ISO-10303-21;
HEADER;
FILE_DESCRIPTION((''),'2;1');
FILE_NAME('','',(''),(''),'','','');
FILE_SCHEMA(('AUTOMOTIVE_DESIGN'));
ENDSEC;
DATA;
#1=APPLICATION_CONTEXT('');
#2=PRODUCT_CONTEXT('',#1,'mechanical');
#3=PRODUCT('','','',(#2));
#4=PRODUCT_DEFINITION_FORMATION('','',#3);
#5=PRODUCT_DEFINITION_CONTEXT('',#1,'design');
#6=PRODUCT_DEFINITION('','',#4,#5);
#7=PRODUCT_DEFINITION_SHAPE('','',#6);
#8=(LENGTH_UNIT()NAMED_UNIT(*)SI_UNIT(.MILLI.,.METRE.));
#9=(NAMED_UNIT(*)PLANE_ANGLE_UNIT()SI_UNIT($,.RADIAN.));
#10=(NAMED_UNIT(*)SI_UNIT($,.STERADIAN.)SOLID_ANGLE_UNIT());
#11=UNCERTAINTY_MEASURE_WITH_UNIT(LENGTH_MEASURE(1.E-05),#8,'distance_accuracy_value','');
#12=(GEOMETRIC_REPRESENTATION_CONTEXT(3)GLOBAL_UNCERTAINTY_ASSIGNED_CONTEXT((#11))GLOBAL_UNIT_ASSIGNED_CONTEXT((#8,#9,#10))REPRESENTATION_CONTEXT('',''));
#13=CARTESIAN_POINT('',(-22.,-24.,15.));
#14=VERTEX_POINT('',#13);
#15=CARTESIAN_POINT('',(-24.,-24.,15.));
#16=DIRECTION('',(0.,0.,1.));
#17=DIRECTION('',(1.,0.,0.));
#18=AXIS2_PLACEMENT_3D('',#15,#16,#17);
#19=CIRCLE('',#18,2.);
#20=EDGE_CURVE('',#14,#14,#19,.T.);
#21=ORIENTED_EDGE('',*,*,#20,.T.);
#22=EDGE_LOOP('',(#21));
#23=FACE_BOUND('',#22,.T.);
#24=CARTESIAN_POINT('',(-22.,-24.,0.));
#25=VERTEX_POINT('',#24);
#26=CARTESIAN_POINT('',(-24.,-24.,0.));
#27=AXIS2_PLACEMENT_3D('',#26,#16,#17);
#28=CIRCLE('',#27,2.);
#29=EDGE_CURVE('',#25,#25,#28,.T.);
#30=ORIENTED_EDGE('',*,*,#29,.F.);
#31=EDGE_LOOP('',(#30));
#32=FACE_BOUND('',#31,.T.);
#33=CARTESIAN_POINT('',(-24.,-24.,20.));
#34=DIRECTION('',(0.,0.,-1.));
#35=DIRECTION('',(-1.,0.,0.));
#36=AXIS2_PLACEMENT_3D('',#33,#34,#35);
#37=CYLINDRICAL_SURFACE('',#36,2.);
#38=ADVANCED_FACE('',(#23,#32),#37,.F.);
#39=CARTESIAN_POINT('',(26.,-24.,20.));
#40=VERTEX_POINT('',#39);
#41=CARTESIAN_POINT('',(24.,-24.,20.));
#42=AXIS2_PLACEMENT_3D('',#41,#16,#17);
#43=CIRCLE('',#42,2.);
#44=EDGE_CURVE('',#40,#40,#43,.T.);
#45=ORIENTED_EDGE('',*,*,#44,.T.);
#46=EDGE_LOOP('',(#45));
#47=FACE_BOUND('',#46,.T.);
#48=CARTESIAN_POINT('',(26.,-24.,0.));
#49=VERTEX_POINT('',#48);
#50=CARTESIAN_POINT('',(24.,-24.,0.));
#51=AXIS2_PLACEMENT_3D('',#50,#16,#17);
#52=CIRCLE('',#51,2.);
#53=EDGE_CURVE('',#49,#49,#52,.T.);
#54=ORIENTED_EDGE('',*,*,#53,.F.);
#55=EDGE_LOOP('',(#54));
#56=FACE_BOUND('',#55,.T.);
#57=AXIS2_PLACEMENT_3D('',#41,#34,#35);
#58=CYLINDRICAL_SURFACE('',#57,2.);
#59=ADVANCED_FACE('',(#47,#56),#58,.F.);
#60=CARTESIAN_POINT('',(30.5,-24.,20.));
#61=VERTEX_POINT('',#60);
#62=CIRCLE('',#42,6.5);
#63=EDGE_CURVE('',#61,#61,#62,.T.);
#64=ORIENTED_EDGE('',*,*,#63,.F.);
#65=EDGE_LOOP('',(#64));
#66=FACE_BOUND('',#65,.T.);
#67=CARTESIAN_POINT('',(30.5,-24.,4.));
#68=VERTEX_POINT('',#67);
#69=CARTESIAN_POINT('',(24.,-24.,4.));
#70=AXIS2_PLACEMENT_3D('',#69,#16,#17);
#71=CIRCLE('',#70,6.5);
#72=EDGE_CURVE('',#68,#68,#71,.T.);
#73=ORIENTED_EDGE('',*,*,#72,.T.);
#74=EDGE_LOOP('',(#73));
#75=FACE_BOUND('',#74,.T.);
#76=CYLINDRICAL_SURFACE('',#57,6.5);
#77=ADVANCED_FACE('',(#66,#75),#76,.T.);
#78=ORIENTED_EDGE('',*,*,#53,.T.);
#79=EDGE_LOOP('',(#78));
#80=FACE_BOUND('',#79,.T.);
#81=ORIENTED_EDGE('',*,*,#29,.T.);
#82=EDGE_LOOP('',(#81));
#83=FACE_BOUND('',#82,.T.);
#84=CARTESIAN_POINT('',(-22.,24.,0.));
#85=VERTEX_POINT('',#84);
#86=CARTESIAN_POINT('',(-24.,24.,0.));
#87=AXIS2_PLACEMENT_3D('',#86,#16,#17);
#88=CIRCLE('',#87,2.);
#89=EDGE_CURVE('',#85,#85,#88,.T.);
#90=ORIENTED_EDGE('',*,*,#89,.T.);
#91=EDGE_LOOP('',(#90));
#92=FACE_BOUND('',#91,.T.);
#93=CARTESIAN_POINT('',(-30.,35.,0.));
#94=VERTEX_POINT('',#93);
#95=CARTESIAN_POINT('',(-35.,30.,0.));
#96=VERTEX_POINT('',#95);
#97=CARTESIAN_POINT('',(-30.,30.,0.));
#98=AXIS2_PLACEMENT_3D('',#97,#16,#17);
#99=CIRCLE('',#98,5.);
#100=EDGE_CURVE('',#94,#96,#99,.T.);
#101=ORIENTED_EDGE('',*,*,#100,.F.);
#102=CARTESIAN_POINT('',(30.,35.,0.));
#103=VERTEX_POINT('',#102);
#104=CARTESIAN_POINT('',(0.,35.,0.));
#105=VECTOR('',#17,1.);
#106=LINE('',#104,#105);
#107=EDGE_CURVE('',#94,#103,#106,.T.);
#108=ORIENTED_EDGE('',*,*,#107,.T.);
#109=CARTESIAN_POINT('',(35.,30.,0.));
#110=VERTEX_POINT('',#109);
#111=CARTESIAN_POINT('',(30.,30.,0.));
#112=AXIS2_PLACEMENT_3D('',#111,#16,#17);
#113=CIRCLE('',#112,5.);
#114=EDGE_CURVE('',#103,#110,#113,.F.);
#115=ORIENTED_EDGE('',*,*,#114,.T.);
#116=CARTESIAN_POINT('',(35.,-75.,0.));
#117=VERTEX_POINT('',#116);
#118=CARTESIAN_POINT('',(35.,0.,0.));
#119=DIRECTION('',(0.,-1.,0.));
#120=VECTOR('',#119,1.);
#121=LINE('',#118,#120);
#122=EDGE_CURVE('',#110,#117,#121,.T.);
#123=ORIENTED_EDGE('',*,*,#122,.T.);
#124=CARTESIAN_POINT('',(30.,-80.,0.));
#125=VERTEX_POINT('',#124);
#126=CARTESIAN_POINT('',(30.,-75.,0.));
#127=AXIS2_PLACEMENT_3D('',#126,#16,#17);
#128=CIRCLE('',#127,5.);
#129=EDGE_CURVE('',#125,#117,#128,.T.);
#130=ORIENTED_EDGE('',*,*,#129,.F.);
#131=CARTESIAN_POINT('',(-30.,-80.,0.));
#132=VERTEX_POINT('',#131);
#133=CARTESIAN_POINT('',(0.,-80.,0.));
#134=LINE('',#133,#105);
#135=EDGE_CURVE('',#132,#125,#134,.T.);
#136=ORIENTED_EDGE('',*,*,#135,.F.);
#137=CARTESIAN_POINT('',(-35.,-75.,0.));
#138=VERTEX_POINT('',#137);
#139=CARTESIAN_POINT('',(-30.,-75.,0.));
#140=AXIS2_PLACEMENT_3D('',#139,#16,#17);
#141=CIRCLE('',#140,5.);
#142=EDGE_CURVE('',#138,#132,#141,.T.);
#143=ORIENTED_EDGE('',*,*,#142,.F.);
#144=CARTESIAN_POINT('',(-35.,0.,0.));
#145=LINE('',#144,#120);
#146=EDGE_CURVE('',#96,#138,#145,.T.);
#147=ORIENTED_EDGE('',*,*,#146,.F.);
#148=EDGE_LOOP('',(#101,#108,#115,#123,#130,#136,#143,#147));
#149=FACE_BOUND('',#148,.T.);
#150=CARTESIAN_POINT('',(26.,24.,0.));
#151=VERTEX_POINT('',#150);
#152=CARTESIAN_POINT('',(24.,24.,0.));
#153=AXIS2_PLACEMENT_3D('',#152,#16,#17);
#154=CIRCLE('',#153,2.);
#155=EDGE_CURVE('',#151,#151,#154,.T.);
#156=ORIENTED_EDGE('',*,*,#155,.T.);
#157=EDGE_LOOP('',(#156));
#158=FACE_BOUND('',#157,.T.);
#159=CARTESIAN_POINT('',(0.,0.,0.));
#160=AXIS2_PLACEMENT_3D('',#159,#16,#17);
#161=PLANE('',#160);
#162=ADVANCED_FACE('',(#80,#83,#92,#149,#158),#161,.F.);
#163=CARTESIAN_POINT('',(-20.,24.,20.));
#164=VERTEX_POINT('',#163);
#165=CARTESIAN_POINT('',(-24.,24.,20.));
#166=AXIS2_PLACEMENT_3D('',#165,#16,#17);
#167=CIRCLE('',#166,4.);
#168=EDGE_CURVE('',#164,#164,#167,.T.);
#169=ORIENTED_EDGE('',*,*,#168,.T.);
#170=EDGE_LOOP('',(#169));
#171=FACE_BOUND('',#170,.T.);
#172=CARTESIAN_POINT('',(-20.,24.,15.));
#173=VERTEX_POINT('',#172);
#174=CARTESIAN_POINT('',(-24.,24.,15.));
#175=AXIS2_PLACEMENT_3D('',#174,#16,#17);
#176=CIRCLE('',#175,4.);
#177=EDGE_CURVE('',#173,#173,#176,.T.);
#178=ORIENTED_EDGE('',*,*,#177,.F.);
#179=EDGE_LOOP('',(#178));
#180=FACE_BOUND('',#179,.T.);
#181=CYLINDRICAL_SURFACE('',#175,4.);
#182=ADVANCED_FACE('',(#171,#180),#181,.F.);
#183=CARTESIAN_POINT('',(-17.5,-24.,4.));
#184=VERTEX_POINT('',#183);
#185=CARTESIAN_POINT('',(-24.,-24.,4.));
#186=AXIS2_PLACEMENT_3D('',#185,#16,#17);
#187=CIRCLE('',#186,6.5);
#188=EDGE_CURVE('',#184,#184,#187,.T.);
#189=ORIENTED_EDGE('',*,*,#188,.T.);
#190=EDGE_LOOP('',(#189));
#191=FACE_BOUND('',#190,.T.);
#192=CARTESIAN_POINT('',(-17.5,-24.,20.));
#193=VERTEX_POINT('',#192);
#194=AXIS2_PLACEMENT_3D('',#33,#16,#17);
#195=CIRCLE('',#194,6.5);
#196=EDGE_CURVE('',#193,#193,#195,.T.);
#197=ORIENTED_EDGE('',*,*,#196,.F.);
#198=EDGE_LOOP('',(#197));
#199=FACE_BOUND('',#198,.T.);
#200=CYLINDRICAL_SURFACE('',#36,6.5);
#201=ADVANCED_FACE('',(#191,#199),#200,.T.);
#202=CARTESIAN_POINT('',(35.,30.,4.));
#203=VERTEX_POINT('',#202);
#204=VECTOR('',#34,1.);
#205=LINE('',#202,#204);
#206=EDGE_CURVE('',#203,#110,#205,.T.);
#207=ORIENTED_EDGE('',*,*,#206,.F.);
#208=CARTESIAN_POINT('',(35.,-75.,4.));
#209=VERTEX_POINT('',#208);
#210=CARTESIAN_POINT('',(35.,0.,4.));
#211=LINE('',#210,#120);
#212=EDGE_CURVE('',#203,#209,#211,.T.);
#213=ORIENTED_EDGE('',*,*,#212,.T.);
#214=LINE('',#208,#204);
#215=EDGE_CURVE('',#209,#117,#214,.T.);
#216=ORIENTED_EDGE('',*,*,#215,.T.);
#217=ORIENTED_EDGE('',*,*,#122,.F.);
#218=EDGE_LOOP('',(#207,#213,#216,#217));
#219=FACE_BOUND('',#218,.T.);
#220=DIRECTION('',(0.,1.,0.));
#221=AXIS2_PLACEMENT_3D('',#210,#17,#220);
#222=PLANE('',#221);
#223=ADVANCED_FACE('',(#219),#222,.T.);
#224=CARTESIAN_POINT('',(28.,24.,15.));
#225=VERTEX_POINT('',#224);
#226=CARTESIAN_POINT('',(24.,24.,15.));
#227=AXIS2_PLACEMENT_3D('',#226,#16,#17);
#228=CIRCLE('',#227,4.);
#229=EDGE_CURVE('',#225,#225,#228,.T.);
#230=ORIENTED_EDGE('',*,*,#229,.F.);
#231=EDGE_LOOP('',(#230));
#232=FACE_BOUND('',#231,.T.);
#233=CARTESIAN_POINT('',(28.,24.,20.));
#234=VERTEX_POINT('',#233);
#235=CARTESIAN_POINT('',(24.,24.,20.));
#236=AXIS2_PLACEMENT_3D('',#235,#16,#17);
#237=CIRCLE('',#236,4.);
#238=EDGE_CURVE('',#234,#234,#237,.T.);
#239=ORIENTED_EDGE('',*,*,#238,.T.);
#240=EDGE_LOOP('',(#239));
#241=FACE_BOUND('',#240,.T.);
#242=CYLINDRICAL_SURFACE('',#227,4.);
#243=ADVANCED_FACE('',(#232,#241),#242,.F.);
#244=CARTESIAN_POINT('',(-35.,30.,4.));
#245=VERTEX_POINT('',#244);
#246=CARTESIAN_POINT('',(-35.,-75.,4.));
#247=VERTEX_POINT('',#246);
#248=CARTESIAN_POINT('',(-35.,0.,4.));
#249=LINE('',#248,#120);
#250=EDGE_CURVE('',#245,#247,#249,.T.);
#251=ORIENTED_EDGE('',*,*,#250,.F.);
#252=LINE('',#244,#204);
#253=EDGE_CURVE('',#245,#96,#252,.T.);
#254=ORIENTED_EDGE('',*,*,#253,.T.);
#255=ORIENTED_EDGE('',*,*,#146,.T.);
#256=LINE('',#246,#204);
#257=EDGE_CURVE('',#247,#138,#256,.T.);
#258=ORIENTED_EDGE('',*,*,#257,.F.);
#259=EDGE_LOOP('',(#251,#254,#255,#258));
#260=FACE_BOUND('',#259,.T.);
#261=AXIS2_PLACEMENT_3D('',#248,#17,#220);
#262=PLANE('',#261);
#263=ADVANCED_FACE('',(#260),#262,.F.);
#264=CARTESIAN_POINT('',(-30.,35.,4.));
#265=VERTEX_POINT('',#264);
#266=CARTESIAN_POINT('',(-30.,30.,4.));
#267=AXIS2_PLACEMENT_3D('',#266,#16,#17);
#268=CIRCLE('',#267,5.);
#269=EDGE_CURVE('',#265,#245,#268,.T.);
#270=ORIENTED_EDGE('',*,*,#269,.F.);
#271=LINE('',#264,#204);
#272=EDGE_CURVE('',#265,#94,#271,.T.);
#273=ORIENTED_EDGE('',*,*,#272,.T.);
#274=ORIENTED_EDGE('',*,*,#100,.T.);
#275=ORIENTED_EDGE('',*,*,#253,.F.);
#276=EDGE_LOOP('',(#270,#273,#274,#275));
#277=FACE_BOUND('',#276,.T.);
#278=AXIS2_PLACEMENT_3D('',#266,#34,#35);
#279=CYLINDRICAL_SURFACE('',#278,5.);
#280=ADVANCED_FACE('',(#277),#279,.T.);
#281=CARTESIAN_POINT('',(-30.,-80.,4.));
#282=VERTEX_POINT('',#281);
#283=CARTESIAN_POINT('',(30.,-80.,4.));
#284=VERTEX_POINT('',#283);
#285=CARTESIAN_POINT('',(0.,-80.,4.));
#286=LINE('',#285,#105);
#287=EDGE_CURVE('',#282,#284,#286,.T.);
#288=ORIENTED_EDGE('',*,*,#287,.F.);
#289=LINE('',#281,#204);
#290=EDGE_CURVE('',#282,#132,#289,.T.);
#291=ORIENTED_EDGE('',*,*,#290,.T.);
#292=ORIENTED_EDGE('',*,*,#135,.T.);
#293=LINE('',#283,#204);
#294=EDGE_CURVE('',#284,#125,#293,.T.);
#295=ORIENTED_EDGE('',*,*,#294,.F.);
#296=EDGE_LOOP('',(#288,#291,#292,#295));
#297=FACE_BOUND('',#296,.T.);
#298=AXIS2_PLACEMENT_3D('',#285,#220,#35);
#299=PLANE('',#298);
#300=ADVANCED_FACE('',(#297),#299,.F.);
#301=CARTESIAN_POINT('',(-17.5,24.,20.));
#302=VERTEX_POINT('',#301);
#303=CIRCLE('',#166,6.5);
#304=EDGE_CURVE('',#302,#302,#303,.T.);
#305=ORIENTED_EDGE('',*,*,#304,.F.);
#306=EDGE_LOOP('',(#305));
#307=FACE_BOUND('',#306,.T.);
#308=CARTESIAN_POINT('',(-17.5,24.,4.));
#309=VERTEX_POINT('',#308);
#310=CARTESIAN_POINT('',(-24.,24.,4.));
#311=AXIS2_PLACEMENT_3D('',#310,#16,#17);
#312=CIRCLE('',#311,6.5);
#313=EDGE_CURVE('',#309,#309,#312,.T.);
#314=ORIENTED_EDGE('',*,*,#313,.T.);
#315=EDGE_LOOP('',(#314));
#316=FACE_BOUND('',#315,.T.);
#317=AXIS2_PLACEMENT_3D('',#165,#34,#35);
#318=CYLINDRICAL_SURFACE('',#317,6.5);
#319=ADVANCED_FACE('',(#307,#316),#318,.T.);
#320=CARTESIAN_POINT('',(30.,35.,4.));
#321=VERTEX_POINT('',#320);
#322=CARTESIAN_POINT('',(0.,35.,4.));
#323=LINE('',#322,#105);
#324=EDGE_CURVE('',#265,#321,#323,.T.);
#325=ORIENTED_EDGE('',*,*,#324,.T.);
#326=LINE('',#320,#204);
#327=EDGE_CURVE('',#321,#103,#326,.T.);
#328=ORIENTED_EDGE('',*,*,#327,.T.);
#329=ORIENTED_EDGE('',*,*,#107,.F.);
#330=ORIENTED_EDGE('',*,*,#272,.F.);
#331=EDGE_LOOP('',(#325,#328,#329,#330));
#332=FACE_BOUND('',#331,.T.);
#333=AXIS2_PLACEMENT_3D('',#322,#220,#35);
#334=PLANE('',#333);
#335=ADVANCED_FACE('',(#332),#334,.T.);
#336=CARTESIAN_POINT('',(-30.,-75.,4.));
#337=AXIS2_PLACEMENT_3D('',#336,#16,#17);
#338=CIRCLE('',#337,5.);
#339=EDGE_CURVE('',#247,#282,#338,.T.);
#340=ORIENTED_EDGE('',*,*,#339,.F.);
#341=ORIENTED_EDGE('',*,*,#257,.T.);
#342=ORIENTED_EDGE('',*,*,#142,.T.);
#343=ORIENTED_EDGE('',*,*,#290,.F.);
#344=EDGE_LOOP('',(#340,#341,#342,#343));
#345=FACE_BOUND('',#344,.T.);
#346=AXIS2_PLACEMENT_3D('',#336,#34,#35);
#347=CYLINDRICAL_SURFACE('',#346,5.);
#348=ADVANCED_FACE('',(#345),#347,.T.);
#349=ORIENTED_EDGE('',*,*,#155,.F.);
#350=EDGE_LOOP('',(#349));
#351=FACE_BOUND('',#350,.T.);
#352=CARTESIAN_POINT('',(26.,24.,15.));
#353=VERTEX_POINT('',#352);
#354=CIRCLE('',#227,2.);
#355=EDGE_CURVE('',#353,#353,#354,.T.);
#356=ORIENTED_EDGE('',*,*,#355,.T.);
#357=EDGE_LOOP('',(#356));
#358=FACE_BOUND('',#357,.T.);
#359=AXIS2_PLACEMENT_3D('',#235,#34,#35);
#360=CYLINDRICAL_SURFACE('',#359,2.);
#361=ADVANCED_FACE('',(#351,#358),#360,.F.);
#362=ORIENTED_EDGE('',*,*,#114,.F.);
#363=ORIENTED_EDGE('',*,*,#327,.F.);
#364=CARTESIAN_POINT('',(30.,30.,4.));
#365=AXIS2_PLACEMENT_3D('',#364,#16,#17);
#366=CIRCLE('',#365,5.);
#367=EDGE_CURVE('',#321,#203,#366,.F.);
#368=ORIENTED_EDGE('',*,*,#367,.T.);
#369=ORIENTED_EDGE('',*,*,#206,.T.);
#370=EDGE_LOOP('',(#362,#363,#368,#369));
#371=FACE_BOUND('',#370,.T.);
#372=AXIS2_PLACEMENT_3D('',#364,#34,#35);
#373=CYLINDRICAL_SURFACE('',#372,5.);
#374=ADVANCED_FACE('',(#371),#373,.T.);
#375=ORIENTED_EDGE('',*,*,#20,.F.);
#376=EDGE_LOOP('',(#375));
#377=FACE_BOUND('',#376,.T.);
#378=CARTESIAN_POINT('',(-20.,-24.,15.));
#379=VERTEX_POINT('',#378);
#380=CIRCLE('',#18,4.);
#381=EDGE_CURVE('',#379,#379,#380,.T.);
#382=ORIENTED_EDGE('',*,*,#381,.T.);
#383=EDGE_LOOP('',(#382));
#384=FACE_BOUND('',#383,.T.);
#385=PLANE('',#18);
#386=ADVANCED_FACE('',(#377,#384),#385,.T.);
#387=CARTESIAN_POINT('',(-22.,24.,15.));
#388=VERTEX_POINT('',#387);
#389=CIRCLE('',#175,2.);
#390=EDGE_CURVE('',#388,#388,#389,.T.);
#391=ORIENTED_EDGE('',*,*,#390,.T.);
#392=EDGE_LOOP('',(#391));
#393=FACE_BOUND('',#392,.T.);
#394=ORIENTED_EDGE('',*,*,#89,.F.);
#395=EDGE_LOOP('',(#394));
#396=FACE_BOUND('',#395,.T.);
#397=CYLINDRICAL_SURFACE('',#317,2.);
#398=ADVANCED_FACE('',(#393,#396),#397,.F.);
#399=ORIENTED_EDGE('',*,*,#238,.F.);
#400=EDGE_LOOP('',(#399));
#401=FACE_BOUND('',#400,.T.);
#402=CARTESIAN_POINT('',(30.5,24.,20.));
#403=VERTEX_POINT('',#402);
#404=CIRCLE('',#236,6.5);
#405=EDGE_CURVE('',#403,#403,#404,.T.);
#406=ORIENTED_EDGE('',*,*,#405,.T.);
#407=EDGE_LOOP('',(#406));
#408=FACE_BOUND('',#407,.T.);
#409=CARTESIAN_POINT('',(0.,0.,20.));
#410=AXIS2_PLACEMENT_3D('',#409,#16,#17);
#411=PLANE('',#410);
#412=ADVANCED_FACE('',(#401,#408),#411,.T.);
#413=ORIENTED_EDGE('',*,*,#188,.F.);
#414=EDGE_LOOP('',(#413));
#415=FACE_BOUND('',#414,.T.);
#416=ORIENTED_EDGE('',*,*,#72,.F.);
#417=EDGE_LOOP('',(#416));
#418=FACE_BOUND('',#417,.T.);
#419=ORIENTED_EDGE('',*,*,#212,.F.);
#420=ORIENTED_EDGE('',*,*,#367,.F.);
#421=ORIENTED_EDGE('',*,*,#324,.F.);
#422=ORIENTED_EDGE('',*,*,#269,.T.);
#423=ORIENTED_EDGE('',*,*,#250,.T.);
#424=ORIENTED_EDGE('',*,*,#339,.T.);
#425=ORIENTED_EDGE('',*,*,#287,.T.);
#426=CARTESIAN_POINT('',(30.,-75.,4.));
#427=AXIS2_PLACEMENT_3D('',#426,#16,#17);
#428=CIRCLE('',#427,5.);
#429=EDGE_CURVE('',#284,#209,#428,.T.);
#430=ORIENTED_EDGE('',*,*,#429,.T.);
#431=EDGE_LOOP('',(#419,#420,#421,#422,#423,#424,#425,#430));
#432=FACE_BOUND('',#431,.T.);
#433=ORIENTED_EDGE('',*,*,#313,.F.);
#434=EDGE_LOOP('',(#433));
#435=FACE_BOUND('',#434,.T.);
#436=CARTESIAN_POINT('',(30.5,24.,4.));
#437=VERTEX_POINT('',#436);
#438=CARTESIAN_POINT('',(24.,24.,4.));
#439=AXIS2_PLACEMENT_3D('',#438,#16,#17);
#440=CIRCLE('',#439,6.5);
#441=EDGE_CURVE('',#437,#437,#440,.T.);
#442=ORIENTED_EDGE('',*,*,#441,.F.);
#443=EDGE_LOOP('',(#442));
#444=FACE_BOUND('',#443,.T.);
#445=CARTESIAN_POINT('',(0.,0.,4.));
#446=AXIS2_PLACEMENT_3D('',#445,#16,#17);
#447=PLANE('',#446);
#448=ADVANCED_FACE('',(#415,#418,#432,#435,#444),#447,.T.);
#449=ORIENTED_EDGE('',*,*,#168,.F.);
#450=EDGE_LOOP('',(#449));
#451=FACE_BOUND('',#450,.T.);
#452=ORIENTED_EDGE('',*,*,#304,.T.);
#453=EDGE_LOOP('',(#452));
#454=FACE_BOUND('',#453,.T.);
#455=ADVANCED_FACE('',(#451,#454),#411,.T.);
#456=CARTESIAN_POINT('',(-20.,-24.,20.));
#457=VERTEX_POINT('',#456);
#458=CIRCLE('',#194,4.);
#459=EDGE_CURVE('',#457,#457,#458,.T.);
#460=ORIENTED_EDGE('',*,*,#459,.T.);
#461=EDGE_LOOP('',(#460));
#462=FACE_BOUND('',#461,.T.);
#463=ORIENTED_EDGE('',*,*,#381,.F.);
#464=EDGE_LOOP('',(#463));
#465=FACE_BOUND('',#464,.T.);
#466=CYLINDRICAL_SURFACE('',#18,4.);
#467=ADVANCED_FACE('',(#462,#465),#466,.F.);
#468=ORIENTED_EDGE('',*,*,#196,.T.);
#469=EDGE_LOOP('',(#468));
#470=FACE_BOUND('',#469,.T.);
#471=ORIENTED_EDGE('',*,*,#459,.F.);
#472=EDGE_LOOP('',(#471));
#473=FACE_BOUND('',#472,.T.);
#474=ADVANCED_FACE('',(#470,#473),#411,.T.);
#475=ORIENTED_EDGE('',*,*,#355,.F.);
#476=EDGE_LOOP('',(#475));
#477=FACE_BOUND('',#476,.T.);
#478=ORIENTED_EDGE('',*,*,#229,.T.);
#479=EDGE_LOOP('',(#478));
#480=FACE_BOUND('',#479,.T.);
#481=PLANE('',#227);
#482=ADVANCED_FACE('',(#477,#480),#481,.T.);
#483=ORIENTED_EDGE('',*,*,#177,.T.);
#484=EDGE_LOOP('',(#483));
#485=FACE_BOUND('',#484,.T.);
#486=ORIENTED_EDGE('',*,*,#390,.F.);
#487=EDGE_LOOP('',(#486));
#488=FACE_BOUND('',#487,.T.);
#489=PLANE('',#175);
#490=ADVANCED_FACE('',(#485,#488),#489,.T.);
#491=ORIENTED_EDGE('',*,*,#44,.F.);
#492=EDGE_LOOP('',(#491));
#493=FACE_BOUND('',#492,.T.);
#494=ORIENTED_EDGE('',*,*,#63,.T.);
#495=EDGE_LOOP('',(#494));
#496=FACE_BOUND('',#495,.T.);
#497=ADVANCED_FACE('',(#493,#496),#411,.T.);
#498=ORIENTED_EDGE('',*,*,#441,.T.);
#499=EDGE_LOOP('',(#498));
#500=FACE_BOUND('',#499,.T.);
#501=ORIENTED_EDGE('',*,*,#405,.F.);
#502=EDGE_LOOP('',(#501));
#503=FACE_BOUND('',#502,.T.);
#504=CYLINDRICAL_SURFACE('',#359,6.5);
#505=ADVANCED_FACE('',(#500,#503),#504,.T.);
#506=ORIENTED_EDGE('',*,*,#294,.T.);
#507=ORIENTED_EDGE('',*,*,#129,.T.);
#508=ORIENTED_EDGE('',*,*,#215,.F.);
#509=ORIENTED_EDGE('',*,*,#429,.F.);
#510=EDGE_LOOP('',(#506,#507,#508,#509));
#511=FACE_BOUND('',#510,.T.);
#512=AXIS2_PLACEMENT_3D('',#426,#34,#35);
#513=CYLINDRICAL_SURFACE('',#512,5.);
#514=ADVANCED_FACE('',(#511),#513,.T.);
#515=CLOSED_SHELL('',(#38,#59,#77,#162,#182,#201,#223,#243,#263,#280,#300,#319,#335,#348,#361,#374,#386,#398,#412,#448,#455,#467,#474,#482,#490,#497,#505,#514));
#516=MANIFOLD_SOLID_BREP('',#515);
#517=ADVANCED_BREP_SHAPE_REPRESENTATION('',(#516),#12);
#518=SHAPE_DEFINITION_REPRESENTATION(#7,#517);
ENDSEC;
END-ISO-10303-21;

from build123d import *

# Parameters (mm, degrees)
SKETCH1_R           = 6.5
BOSS_EXTRUDE1_DEPTH = 4
SKETCH1_5_R         = 6.5
SKETCH1_5_R_2       = 4
SKETCH1_5_R_3       = 2
BOSS_EXTRUDE2_DEPTH = 20
CUT_EXTRUDE1_START  = 20
SKETCH1_6_R         = 4
SKETCH1_6_R_2       = 2
CUT_EXTRUDE1_DEPTH  = 5


with BuildPart() as part:
    # Sketch1 → Boss-Extrude1 (new body)
    with BuildSketch(Plane.XY):
        with BuildLine():
            Line((-30, 35), (30, 35))
            ThreePointArc((30, 35), (33.535533906, 33.535533906), (35, 30))
            Line((35, 30), (35, -75))
            ThreePointArc((35, -75), (33.535533906, -78.535533906), (30, -80))
            Line((30, -80), (-30, -80))
            ThreePointArc((-30, -80), (-33.535533906, -78.535533906), (-35, -75))
            Line((-35, -75), (-35, 30))
            ThreePointArc((-35, 30), (-33.535533906, 33.535533906), (-30, 35))
        make_face()
        with Locations((24, -24)):
            Circle(SKETCH1_R, mode=Mode.SUBTRACT)
        with Locations((24, 24)):
            Circle(SKETCH1_R, mode=Mode.SUBTRACT)
        with Locations((-24, 24)):
            Circle(SKETCH1_R, mode=Mode.SUBTRACT)
        with Locations((-24, -24)):
            Circle(SKETCH1_R, mode=Mode.SUBTRACT)
    extrude(amount=BOSS_EXTRUDE1_DEPTH)

    # Sketch1_5 → Boss-Extrude2 (add)
    with BuildSketch(Plane.XY):
        with Locations((-24, -24)):
            Circle(SKETCH1_5_R)
        with Locations((-24, -24)):
            Circle(SKETCH1_5_R_2, mode=Mode.SUBTRACT)
        with Locations((-24, -24)):
            Circle(SKETCH1_5_R_2)
        with Locations((-24, -24)):
            Circle(SKETCH1_5_R_3, mode=Mode.SUBTRACT)
        with Locations((24, -24)):
            Circle(SKETCH1_5_R)
        with Locations((24, -24)):
            Circle(SKETCH1_5_R_2, mode=Mode.SUBTRACT)
        with Locations((24, -24)):
            Circle(SKETCH1_5_R_2)
        with Locations((24, -24)):
            Circle(SKETCH1_5_R_3, mode=Mode.SUBTRACT)
        with Locations((24, 24)):
            Circle(SKETCH1_5_R)
        with Locations((24, 24)):
            Circle(SKETCH1_5_R_2, mode=Mode.SUBTRACT)
        with Locations((24, 24)):
            Circle(SKETCH1_5_R_2)
        with Locations((24, 24)):
            Circle(SKETCH1_5_R_3, mode=Mode.SUBTRACT)
        with Locations((-24, 24)):
            Circle(SKETCH1_5_R)
        with Locations((-24, 24)):
            Circle(SKETCH1_5_R_2, mode=Mode.SUBTRACT)
        with Locations((-24, 24)):
            Circle(SKETCH1_5_R_2)
        with Locations((-24, 24)):
            Circle(SKETCH1_5_R_3, mode=Mode.SUBTRACT)
    extrude(amount=BOSS_EXTRUDE2_DEPTH)

    # Sketch1_6 → Cut-Extrude1 (cut)
    with BuildSketch(Plane.XY.offset(CUT_EXTRUDE1_START)):
        with Locations((24, 24)):
            Circle(SKETCH1_6_R)
        with Locations((24, 24)):
            Circle(SKETCH1_6_R_2, mode=Mode.SUBTRACT)
        with Locations((-24, 24)):
            Circle(SKETCH1_6_R)
        with Locations((-24, 24)):
            Circle(SKETCH1_6_R_2, mode=Mode.SUBTRACT)
        with Locations((-24, -24)):
            Circle(SKETCH1_6_R)
        with Locations((-24, -24)):
            Circle(SKETCH1_6_R_2, mode=Mode.SUBTRACT)
        with Locations((24, -24)):
            Circle(SKETCH1_6_R_2)
    extrude(amount=-CUT_EXTRUDE1_DEPTH, mode=Mode.SUBTRACT)


solid = part.part
